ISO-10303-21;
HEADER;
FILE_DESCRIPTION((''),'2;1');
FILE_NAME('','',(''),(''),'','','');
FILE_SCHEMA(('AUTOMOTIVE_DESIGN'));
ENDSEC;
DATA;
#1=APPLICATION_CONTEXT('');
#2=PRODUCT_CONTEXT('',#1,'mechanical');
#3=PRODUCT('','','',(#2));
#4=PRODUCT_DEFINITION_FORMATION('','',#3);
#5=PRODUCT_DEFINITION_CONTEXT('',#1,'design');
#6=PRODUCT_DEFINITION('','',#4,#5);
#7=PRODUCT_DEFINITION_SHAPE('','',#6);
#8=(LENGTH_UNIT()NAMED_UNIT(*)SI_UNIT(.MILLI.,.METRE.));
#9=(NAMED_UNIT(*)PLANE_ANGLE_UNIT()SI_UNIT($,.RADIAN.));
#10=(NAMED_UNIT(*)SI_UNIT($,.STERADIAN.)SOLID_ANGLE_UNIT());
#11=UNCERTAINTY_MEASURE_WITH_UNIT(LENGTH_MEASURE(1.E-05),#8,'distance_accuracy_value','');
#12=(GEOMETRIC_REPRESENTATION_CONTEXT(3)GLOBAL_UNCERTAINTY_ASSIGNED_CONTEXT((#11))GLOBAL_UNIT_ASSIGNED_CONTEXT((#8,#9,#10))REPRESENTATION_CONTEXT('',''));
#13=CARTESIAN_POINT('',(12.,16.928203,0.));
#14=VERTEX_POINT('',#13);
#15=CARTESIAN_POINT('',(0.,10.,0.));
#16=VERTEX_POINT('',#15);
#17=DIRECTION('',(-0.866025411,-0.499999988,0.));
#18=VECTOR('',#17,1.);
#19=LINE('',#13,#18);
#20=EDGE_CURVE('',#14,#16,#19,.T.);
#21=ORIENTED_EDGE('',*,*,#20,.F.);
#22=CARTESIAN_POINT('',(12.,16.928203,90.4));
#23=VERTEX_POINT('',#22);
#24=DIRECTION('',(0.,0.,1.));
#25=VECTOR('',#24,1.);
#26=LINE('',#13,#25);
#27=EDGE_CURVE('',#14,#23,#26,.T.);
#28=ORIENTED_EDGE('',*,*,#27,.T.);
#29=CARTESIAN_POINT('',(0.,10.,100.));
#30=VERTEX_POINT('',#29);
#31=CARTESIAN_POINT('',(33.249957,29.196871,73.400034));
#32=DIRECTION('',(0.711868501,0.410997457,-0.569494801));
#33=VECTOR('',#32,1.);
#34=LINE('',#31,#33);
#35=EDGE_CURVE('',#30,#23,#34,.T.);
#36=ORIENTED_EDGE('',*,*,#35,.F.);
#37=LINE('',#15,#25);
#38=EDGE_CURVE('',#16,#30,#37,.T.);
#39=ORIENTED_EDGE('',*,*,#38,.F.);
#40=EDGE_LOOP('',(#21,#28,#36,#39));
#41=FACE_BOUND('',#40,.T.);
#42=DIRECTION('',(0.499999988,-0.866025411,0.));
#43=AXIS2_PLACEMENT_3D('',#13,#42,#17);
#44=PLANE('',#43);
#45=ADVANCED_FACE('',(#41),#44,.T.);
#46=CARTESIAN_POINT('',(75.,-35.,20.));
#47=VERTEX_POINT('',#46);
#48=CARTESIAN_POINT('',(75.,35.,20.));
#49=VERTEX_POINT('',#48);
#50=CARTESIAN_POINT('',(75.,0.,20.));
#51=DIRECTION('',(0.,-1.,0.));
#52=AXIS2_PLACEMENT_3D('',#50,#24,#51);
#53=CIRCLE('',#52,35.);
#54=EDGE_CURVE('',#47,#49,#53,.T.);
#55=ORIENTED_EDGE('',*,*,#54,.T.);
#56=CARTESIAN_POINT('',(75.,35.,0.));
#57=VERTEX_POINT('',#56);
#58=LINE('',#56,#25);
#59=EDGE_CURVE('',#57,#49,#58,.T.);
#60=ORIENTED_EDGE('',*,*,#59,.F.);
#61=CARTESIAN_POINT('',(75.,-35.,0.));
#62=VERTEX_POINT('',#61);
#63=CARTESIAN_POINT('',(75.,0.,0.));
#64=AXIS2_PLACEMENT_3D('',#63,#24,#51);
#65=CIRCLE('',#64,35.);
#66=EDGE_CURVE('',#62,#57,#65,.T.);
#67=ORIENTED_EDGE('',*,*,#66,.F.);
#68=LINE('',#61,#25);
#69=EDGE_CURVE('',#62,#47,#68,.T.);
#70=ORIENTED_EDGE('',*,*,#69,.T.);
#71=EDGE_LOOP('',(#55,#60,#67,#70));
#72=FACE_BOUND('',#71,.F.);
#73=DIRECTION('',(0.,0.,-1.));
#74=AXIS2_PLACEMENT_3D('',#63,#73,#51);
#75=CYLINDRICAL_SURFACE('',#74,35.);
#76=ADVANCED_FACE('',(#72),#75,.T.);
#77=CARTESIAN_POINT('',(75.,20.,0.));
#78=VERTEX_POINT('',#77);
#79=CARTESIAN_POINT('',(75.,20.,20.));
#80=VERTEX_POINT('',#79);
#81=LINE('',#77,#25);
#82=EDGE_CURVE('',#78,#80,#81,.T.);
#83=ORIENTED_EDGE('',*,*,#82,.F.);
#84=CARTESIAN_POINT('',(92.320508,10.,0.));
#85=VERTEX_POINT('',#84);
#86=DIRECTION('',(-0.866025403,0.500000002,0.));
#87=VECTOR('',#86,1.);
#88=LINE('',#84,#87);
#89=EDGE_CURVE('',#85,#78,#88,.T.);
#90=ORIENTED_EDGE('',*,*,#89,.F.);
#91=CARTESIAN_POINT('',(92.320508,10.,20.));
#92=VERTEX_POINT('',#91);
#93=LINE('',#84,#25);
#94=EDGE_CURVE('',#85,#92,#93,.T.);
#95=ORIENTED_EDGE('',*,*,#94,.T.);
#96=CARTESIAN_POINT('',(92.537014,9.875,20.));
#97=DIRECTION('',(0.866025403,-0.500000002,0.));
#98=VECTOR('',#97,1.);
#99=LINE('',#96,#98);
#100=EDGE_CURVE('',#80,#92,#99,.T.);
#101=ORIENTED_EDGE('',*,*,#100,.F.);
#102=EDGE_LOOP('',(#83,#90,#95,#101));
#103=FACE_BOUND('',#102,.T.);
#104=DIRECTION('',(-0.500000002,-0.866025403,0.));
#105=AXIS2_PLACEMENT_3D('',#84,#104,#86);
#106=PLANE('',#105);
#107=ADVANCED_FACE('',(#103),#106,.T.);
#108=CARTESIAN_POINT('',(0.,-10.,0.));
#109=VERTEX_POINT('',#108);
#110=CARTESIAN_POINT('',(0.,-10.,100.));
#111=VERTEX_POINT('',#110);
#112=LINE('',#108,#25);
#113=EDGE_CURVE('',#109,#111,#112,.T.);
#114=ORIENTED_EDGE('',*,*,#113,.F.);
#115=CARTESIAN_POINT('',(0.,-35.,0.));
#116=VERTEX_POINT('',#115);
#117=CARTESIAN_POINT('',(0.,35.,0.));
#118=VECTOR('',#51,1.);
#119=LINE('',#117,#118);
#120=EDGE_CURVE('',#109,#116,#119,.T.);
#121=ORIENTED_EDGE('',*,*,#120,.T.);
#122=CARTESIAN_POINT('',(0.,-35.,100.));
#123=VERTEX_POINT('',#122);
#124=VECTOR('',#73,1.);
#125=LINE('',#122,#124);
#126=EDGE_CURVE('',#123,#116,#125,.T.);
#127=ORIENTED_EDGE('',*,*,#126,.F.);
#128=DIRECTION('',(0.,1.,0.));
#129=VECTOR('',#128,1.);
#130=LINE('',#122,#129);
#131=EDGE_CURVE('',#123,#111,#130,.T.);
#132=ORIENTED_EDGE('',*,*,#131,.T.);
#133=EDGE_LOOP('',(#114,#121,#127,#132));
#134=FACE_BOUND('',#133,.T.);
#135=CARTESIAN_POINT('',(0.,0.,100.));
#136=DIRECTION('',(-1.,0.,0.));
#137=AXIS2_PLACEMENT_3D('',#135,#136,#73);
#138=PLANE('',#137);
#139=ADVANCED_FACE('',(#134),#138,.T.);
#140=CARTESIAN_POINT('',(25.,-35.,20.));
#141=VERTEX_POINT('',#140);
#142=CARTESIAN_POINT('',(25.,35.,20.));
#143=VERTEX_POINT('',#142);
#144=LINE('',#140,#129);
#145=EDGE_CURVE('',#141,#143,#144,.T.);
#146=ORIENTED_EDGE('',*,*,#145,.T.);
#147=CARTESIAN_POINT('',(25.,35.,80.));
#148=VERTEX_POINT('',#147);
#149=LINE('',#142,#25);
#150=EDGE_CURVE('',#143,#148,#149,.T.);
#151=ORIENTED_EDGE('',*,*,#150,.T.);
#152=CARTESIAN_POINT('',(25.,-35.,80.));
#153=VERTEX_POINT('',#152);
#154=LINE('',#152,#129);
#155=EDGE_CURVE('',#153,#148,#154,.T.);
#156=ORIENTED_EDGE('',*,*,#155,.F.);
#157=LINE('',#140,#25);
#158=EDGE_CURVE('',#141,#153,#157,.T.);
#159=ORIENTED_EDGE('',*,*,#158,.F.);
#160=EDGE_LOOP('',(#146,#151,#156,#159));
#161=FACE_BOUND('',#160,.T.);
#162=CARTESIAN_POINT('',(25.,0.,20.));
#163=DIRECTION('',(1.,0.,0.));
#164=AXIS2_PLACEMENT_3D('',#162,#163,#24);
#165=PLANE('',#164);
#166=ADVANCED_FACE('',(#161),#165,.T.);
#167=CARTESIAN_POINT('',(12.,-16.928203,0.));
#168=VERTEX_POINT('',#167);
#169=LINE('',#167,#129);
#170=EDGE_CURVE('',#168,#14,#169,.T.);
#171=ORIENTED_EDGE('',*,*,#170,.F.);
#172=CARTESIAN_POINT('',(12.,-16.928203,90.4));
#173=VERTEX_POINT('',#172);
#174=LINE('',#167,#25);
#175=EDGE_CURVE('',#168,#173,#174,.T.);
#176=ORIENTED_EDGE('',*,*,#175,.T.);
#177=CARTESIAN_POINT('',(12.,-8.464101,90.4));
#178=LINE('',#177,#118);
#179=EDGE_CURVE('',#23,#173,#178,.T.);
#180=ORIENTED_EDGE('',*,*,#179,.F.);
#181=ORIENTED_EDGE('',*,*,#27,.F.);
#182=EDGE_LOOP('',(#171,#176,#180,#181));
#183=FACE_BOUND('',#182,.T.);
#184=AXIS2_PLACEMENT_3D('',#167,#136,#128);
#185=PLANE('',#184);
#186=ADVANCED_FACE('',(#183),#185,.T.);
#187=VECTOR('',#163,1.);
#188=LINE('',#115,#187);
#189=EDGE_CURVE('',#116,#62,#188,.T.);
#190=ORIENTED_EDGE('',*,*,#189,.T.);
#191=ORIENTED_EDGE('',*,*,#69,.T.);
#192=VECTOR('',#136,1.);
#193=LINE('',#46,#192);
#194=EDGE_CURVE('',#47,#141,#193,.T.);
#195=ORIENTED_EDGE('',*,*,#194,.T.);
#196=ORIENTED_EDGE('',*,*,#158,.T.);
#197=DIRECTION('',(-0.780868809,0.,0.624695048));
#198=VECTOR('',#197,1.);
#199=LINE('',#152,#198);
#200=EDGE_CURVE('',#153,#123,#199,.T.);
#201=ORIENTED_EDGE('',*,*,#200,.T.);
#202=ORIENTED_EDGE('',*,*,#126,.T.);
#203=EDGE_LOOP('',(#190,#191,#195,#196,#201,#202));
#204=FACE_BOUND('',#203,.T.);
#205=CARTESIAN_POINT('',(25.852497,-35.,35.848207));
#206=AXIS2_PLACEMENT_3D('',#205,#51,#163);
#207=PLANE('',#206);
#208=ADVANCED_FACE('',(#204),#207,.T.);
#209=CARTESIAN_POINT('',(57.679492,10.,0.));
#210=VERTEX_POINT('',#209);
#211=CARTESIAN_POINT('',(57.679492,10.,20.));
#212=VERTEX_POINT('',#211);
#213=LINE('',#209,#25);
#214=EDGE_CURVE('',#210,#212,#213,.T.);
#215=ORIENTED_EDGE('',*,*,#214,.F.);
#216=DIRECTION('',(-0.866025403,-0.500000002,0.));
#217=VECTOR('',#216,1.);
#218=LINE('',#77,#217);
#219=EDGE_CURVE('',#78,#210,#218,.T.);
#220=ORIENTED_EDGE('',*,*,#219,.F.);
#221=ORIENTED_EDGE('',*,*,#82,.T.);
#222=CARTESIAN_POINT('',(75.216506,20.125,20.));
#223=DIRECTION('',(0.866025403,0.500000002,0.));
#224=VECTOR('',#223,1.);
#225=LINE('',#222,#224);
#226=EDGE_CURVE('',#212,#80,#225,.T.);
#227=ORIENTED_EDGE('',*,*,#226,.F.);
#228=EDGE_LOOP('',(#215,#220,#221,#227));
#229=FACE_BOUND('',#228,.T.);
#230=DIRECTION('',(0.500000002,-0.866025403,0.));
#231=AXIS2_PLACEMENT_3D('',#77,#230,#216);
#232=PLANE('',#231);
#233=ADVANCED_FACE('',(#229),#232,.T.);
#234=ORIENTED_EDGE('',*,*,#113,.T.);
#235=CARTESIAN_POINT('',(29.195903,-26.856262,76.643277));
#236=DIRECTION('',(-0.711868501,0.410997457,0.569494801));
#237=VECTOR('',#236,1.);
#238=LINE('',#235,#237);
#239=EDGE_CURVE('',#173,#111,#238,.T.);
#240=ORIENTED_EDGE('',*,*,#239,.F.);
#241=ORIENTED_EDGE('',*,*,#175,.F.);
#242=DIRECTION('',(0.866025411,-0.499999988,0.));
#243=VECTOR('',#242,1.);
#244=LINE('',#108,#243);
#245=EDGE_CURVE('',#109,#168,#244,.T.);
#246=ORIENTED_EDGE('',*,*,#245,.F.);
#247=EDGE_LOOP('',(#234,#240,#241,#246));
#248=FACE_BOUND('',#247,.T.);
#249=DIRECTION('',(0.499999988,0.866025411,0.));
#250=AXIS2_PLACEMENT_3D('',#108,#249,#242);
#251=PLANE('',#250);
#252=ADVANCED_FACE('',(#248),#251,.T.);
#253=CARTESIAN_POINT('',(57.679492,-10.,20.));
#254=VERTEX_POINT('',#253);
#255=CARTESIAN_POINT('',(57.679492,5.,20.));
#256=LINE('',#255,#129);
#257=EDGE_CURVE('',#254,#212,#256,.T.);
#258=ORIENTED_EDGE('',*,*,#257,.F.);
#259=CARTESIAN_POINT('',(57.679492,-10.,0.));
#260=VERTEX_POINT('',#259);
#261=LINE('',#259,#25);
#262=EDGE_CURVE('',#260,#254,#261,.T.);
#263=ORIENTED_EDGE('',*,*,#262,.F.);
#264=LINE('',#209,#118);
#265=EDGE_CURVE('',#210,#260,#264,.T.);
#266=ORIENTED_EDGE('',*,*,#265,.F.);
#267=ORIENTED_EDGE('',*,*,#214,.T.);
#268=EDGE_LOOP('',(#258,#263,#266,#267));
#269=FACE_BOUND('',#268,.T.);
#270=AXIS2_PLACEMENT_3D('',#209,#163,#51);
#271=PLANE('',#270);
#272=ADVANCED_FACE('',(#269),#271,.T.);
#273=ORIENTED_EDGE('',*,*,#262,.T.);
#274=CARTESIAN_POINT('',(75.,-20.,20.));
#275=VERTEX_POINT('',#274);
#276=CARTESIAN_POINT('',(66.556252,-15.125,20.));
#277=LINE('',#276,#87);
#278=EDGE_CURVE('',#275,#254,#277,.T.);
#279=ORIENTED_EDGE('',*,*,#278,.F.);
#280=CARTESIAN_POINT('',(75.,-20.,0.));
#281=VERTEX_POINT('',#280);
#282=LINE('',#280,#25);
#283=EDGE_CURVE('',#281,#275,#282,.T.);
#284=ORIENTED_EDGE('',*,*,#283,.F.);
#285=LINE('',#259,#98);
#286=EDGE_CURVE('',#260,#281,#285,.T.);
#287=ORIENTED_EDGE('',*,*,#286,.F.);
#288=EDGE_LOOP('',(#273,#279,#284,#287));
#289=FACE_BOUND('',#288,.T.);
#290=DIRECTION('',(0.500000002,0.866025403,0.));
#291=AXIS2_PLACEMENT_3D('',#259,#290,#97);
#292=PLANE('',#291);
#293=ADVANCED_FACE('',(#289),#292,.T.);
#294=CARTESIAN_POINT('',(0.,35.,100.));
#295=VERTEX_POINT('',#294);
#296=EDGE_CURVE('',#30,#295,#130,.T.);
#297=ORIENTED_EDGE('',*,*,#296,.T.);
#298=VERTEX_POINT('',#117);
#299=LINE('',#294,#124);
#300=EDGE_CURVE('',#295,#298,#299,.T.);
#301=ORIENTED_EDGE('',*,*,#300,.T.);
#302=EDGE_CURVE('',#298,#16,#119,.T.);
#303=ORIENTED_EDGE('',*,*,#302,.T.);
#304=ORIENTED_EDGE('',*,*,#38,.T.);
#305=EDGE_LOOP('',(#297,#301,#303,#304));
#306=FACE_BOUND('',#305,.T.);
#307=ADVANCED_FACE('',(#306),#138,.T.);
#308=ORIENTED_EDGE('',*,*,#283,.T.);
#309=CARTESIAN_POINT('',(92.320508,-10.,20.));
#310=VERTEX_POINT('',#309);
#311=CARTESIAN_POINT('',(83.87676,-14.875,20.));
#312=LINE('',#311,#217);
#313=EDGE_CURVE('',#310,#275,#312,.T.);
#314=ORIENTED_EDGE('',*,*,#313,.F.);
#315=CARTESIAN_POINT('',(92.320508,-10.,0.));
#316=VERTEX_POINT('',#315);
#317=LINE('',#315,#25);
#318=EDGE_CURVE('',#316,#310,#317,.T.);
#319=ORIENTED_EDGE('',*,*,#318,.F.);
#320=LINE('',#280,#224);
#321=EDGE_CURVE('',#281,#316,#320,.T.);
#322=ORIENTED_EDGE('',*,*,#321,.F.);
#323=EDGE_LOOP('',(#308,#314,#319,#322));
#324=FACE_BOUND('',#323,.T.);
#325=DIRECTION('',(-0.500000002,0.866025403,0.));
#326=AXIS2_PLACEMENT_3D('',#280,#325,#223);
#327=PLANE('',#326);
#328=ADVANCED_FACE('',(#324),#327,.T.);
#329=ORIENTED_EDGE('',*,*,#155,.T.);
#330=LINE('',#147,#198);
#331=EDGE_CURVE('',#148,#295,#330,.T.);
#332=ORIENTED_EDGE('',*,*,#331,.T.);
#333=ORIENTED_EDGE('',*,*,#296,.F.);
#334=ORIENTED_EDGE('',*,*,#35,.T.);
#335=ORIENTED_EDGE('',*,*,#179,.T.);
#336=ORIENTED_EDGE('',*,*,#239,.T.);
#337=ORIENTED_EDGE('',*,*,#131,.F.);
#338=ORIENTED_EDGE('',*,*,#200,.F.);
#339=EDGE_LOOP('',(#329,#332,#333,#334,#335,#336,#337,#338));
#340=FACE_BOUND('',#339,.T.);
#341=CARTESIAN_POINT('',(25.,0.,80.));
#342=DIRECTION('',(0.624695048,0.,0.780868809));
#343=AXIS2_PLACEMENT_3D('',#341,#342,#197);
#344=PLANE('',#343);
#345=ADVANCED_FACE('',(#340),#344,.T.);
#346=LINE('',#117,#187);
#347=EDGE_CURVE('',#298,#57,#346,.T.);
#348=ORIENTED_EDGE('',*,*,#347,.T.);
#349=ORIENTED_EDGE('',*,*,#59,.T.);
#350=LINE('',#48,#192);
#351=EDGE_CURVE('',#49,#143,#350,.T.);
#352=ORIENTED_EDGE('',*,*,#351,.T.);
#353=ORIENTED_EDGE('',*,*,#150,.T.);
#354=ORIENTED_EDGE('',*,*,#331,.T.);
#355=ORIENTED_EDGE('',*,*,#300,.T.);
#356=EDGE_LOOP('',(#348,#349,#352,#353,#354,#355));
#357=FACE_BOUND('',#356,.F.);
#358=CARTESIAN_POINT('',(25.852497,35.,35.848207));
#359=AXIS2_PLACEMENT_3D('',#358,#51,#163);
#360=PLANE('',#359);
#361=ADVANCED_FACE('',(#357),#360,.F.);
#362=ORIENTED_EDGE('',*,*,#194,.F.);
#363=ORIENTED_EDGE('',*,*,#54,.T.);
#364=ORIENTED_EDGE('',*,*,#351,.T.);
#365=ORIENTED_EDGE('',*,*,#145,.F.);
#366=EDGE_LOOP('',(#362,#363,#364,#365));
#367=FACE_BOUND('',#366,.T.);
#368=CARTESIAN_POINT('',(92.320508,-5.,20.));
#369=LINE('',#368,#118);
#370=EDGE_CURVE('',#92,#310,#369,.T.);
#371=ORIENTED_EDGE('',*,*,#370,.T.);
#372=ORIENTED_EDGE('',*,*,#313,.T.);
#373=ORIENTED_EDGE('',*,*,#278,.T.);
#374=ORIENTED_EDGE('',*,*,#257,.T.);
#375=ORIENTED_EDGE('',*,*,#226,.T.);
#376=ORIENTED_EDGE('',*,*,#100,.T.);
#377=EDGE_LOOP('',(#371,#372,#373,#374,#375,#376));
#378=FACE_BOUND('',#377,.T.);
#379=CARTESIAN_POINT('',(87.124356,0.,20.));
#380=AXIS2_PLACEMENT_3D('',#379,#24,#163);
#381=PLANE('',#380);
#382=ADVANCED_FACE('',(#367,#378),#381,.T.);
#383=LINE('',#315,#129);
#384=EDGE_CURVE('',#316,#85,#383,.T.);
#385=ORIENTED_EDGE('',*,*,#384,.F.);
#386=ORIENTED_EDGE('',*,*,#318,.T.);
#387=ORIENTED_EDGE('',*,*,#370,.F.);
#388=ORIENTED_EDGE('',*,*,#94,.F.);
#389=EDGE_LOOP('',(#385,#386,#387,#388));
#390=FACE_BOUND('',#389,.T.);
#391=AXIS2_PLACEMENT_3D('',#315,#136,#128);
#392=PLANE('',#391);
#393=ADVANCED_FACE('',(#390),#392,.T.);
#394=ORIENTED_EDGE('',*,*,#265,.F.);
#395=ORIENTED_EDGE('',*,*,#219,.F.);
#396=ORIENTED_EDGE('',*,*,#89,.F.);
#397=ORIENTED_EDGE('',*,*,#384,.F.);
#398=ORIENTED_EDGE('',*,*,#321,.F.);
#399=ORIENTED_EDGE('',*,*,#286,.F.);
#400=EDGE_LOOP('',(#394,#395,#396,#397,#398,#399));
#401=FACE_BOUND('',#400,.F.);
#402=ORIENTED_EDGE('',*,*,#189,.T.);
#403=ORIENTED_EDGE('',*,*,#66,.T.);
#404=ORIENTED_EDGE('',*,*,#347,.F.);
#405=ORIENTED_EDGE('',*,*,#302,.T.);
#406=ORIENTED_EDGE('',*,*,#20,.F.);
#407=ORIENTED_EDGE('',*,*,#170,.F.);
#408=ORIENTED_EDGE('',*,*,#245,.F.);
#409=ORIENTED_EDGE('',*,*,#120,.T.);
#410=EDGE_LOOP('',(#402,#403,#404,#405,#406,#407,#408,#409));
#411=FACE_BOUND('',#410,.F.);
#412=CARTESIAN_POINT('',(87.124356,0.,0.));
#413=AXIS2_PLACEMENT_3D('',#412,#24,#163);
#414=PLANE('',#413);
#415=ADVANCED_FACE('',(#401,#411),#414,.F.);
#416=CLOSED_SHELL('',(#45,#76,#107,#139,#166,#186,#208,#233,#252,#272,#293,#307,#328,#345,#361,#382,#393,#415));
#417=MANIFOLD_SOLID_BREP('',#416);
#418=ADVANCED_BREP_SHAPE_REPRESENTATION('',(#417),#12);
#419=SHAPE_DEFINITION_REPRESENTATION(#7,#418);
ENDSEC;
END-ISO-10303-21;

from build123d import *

# Parameters (mm, degrees)
PAD_DEPTH    = 35
PAD001_DEPTH = 20
POCKET_DEPTH = 100.001


with BuildPart() as part:
    # Sketch → Pad (new body, symmetric)
    with BuildSketch(Plane.XZ):
        Polygon((0, 100), (0, 0), (75, 0), (75, 20), (25, 20), (25, 80), align=None)
    extrude(amount=PAD_DEPTH, both=True)

    # Sketch001 → Pad001 (join)
    with BuildSketch(Plane.XY):
        with BuildLine():
            ThreePointArc((75, -35), (110, 0), (75, 35))
            Line((75, 35), (75, -35))
        make_face()
    extrude(amount=PAD001_DEPTH)

    # Sketch002 → Pocket (cut, through all)
    with BuildSketch(Plane.XY):
        Polygon((0, 10), (0, -10), (12, -16.928203), (12, 16.928203), align=None)
        Polygon((57.679492, -10), (75, -20), (92.320508, -10), (92.320508, 10), (75, 20), (57.679492, 10), align=None)
    extrude(amount=POCKET_DEPTH, mode=Mode.SUBTRACT)


solid = part.part
